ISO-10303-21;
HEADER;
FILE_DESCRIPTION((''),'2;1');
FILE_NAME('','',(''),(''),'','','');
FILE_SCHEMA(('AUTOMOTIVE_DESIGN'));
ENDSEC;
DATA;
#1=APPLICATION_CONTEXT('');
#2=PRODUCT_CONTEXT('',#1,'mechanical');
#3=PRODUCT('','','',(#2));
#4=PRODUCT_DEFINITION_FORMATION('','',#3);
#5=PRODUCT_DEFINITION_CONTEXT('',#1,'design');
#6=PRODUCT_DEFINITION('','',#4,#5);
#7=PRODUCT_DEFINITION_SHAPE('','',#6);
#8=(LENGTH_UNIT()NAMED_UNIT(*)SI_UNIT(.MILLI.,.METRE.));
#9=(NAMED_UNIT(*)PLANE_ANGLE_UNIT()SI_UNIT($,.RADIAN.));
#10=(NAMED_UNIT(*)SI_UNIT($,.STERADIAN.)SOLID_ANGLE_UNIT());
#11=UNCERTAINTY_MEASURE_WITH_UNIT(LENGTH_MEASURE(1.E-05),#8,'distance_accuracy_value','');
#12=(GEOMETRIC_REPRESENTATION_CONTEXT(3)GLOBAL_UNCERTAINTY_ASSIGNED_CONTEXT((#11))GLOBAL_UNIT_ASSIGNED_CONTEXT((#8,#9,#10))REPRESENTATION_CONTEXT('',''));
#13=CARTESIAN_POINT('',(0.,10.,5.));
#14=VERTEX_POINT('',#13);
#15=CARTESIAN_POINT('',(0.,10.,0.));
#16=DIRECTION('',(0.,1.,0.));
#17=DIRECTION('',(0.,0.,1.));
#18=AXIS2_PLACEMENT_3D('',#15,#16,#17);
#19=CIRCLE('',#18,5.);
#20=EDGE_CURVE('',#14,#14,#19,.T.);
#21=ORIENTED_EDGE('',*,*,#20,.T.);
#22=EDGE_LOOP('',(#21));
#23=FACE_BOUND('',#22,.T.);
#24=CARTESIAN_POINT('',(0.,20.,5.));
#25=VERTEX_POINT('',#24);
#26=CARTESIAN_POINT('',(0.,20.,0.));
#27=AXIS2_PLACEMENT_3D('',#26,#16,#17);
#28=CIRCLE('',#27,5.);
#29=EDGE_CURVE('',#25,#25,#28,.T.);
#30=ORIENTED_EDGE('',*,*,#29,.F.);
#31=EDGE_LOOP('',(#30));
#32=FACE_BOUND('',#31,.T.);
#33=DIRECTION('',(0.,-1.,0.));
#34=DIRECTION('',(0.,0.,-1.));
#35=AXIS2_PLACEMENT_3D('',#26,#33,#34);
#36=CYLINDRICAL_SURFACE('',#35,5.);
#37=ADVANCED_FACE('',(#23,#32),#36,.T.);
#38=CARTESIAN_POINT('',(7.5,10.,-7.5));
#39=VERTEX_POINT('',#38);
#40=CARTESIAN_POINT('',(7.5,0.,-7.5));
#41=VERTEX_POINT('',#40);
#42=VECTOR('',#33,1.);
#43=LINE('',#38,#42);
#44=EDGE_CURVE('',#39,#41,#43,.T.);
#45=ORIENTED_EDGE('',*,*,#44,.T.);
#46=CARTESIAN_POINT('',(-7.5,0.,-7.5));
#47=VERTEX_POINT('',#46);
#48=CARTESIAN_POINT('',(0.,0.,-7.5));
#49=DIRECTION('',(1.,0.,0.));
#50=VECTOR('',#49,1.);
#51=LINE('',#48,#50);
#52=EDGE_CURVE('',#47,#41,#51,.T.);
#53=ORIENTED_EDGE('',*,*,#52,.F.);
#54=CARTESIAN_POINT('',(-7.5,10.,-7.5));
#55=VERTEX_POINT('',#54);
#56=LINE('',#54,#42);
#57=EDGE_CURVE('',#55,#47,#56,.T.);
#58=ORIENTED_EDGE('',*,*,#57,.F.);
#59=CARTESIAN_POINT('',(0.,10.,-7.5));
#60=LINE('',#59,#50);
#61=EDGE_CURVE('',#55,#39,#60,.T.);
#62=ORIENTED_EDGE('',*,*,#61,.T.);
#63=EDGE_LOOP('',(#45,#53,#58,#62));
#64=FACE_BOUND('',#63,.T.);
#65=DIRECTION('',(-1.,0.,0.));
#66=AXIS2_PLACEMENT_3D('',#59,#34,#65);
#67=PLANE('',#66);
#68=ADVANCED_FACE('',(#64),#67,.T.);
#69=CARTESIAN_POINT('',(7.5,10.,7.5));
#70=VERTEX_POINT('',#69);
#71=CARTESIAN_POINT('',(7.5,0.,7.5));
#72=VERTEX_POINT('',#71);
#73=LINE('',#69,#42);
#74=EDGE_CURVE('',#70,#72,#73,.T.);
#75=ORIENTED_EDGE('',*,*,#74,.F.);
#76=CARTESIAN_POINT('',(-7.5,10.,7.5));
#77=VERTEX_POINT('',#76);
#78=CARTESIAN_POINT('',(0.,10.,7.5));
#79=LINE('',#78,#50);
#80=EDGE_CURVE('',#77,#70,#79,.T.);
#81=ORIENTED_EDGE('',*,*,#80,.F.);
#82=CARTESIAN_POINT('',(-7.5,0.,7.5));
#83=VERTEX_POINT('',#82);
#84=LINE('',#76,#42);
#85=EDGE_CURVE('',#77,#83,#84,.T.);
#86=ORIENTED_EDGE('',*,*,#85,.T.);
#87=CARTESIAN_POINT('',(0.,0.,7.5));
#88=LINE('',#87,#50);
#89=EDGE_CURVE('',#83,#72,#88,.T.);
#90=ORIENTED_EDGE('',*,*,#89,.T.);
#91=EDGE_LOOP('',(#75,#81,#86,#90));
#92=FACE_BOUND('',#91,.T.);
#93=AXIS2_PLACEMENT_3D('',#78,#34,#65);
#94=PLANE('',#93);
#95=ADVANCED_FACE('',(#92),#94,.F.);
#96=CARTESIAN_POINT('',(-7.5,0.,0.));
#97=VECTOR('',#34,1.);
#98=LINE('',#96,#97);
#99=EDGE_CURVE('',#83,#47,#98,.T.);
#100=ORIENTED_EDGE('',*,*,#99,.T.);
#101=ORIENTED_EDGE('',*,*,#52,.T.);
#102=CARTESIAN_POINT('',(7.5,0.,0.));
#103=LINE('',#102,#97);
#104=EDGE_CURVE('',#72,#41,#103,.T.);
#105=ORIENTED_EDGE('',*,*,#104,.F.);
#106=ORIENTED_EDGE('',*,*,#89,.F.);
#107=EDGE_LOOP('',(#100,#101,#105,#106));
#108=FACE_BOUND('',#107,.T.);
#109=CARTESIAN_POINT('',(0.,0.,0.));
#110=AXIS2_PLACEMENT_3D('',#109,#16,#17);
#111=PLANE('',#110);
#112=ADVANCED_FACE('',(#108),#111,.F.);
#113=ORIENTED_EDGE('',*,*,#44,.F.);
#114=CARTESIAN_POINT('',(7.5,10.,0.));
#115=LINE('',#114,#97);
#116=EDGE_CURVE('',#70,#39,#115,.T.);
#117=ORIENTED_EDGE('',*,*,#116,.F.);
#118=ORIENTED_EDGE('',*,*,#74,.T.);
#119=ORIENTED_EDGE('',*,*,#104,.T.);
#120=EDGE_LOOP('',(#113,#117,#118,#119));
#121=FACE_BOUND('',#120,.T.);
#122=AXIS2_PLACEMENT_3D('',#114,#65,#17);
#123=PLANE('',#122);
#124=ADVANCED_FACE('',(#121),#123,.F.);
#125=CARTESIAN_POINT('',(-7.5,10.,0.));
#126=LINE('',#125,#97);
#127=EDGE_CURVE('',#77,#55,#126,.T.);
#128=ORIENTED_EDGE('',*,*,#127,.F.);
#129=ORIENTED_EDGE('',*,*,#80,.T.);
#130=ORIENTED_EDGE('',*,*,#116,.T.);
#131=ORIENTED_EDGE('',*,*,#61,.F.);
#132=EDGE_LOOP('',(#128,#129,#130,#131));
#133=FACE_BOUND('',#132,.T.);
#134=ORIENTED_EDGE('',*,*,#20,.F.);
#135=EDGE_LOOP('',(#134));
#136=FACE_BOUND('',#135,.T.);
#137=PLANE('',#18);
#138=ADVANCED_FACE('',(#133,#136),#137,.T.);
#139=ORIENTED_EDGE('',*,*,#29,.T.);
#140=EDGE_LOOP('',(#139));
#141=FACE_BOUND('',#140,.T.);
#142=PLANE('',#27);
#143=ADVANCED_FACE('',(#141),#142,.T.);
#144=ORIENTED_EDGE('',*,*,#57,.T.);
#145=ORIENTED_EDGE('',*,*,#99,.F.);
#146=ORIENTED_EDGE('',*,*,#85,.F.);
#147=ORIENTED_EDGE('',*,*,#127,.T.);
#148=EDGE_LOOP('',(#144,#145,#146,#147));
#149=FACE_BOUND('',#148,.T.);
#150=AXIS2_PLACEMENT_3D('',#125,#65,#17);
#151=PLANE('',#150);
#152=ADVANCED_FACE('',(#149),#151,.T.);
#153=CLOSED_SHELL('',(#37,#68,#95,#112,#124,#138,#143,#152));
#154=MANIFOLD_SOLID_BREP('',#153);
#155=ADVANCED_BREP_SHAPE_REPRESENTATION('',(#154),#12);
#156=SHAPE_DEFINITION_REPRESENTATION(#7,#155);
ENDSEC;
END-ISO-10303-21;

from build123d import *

# Parameters (mm, degrees)
SZKIC2_R                    = 5
DODANIE_WYCI_GNI_CIE1_DEPTH = 20
SZKIC2_3_W                  = 15
SZKIC2_3_H                  = 15
SZKIC2_3_R                  = 5
DODANIE_WYCI_GNI_CIE2_DEPTH = 10


with BuildPart() as part:
    # Szkic2 → Dodanie-wyci_gni_cie1 (new body)
    with BuildSketch(Plane(origin=(0, 0, 0), x_dir=(1, 0, 0), z_dir=(0, 1, 0))):
        Circle(SZKIC2_R)
    extrude(amount=DODANIE_WYCI_GNI_CIE1_DEPTH)

    # Szkic2_3 → Dodanie-wyci_gni_cie2 (add)
    with BuildSketch(Plane(origin=(0, 0, 0), x_dir=(1, 0, 0), z_dir=(0, 1, 0))):
        Rectangle(SZKIC2_3_W, SZKIC2_3_H)
        Circle(SZKIC2_3_R, mode=Mode.SUBTRACT)
    extrude(amount=DODANIE_WYCI_GNI_CIE2_DEPTH)


solid = part.part
